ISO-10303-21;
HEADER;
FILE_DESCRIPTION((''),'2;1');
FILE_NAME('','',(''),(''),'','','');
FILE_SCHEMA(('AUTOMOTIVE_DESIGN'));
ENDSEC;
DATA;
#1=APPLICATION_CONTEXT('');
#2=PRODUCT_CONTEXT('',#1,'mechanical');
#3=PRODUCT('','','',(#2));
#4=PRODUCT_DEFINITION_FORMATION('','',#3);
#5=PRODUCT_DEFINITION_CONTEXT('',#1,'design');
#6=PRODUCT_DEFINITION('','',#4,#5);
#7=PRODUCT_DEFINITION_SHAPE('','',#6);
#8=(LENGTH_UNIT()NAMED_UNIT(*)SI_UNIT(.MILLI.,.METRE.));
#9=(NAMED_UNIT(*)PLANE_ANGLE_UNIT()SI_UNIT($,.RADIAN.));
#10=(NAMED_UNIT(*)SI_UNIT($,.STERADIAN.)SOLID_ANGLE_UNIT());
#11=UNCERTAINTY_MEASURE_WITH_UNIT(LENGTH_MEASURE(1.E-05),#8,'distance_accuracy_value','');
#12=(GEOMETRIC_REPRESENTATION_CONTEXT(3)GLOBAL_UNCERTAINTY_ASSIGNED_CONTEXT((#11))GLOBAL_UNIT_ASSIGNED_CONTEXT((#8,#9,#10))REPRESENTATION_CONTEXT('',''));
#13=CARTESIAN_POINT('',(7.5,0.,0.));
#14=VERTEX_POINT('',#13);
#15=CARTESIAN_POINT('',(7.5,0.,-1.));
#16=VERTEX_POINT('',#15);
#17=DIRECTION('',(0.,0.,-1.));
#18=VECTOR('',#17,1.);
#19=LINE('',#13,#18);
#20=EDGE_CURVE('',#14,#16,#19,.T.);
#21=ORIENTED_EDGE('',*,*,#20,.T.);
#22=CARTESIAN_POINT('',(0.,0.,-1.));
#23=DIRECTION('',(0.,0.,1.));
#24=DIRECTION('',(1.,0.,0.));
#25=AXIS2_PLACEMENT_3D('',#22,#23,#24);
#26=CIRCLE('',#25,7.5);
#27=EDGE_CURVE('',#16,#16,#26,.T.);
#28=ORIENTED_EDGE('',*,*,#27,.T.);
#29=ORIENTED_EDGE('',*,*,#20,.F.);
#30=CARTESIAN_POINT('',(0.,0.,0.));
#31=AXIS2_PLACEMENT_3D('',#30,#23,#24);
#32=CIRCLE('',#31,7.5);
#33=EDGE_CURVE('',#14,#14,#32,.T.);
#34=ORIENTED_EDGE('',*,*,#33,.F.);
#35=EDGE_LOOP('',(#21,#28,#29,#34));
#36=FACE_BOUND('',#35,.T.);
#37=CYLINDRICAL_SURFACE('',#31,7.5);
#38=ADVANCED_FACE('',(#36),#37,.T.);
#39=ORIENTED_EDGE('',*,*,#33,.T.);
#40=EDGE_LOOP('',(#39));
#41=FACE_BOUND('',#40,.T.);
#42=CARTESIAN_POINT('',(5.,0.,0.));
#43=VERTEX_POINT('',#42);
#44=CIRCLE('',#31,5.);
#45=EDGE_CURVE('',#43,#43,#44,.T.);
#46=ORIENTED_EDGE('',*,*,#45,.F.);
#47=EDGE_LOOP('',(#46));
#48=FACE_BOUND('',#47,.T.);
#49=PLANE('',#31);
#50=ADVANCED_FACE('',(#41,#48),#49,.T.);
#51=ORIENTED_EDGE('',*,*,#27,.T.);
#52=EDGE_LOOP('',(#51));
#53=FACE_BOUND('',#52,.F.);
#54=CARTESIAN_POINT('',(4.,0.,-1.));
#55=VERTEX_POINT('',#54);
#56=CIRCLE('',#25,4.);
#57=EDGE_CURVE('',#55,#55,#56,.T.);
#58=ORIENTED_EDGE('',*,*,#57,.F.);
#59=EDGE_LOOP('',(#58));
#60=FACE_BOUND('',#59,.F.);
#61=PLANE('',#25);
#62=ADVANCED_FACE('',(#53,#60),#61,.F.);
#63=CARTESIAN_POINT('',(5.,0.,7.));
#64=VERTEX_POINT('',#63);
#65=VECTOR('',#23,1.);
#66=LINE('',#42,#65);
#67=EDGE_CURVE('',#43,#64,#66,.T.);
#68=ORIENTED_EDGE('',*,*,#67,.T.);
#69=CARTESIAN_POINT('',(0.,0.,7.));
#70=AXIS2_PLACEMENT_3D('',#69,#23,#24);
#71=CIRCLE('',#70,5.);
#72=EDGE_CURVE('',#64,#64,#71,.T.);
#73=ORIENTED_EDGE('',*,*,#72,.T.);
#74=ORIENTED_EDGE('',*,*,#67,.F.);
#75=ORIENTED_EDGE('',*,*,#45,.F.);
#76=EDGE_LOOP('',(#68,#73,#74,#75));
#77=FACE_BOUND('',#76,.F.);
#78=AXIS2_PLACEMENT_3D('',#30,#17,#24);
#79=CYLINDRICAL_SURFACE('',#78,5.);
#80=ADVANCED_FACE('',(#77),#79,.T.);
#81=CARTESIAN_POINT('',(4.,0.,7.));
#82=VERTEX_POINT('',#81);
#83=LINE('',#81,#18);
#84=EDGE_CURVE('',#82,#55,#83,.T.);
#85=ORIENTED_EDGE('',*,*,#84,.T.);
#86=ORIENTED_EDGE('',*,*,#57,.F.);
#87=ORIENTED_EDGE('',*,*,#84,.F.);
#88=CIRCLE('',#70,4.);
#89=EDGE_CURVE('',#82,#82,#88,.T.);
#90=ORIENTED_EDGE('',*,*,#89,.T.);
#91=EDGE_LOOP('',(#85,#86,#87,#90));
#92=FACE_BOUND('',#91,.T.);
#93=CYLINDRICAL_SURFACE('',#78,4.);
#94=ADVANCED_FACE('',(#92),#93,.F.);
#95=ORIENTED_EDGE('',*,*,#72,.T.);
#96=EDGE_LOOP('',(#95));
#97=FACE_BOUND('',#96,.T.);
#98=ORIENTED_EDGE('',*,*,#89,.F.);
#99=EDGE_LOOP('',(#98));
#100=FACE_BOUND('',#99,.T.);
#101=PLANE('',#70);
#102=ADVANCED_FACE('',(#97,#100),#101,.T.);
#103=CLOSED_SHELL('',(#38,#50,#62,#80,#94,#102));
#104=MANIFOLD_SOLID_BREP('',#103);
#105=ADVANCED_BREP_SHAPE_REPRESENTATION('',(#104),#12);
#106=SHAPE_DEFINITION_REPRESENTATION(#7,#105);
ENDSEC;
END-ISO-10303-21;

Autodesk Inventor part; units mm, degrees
ref_plane "YZ Plane" through (0, 0, 0) normal (1, 0, 0) x (0, 1, 0)
ref_plane "XZ Plane" through (0, 0, 0) normal (0, 1, 0) x (-1, 0, 0)
ref_plane "XY Plane" through (0, 0, 0) normal (0, 0, 1) x (1, 0, 0)
sketch "スケッチ1" plane through (0, 0, 0) normal (0, 0, 1) x (1, 0, 0)
  circle A0 centre (0, 0) radius 7.5
  circle A1 centre (0, 0) radius 5
  circle A2 centre (0, 0) radius 4
  dimension "d0" = 15
  dimension "d1" = 10
  dimension "d2" = 8
extrude "押し出し1" add sketch "スケッチ1" along normal blind 7 contours A1
extrude "押し出し2" add sketch "スケッチ1" against normal blind 1 contours A0 | A1
properties part number "オイレス　m4　8　フランジ付き l=7" material "アセタール樹脂、黒"
